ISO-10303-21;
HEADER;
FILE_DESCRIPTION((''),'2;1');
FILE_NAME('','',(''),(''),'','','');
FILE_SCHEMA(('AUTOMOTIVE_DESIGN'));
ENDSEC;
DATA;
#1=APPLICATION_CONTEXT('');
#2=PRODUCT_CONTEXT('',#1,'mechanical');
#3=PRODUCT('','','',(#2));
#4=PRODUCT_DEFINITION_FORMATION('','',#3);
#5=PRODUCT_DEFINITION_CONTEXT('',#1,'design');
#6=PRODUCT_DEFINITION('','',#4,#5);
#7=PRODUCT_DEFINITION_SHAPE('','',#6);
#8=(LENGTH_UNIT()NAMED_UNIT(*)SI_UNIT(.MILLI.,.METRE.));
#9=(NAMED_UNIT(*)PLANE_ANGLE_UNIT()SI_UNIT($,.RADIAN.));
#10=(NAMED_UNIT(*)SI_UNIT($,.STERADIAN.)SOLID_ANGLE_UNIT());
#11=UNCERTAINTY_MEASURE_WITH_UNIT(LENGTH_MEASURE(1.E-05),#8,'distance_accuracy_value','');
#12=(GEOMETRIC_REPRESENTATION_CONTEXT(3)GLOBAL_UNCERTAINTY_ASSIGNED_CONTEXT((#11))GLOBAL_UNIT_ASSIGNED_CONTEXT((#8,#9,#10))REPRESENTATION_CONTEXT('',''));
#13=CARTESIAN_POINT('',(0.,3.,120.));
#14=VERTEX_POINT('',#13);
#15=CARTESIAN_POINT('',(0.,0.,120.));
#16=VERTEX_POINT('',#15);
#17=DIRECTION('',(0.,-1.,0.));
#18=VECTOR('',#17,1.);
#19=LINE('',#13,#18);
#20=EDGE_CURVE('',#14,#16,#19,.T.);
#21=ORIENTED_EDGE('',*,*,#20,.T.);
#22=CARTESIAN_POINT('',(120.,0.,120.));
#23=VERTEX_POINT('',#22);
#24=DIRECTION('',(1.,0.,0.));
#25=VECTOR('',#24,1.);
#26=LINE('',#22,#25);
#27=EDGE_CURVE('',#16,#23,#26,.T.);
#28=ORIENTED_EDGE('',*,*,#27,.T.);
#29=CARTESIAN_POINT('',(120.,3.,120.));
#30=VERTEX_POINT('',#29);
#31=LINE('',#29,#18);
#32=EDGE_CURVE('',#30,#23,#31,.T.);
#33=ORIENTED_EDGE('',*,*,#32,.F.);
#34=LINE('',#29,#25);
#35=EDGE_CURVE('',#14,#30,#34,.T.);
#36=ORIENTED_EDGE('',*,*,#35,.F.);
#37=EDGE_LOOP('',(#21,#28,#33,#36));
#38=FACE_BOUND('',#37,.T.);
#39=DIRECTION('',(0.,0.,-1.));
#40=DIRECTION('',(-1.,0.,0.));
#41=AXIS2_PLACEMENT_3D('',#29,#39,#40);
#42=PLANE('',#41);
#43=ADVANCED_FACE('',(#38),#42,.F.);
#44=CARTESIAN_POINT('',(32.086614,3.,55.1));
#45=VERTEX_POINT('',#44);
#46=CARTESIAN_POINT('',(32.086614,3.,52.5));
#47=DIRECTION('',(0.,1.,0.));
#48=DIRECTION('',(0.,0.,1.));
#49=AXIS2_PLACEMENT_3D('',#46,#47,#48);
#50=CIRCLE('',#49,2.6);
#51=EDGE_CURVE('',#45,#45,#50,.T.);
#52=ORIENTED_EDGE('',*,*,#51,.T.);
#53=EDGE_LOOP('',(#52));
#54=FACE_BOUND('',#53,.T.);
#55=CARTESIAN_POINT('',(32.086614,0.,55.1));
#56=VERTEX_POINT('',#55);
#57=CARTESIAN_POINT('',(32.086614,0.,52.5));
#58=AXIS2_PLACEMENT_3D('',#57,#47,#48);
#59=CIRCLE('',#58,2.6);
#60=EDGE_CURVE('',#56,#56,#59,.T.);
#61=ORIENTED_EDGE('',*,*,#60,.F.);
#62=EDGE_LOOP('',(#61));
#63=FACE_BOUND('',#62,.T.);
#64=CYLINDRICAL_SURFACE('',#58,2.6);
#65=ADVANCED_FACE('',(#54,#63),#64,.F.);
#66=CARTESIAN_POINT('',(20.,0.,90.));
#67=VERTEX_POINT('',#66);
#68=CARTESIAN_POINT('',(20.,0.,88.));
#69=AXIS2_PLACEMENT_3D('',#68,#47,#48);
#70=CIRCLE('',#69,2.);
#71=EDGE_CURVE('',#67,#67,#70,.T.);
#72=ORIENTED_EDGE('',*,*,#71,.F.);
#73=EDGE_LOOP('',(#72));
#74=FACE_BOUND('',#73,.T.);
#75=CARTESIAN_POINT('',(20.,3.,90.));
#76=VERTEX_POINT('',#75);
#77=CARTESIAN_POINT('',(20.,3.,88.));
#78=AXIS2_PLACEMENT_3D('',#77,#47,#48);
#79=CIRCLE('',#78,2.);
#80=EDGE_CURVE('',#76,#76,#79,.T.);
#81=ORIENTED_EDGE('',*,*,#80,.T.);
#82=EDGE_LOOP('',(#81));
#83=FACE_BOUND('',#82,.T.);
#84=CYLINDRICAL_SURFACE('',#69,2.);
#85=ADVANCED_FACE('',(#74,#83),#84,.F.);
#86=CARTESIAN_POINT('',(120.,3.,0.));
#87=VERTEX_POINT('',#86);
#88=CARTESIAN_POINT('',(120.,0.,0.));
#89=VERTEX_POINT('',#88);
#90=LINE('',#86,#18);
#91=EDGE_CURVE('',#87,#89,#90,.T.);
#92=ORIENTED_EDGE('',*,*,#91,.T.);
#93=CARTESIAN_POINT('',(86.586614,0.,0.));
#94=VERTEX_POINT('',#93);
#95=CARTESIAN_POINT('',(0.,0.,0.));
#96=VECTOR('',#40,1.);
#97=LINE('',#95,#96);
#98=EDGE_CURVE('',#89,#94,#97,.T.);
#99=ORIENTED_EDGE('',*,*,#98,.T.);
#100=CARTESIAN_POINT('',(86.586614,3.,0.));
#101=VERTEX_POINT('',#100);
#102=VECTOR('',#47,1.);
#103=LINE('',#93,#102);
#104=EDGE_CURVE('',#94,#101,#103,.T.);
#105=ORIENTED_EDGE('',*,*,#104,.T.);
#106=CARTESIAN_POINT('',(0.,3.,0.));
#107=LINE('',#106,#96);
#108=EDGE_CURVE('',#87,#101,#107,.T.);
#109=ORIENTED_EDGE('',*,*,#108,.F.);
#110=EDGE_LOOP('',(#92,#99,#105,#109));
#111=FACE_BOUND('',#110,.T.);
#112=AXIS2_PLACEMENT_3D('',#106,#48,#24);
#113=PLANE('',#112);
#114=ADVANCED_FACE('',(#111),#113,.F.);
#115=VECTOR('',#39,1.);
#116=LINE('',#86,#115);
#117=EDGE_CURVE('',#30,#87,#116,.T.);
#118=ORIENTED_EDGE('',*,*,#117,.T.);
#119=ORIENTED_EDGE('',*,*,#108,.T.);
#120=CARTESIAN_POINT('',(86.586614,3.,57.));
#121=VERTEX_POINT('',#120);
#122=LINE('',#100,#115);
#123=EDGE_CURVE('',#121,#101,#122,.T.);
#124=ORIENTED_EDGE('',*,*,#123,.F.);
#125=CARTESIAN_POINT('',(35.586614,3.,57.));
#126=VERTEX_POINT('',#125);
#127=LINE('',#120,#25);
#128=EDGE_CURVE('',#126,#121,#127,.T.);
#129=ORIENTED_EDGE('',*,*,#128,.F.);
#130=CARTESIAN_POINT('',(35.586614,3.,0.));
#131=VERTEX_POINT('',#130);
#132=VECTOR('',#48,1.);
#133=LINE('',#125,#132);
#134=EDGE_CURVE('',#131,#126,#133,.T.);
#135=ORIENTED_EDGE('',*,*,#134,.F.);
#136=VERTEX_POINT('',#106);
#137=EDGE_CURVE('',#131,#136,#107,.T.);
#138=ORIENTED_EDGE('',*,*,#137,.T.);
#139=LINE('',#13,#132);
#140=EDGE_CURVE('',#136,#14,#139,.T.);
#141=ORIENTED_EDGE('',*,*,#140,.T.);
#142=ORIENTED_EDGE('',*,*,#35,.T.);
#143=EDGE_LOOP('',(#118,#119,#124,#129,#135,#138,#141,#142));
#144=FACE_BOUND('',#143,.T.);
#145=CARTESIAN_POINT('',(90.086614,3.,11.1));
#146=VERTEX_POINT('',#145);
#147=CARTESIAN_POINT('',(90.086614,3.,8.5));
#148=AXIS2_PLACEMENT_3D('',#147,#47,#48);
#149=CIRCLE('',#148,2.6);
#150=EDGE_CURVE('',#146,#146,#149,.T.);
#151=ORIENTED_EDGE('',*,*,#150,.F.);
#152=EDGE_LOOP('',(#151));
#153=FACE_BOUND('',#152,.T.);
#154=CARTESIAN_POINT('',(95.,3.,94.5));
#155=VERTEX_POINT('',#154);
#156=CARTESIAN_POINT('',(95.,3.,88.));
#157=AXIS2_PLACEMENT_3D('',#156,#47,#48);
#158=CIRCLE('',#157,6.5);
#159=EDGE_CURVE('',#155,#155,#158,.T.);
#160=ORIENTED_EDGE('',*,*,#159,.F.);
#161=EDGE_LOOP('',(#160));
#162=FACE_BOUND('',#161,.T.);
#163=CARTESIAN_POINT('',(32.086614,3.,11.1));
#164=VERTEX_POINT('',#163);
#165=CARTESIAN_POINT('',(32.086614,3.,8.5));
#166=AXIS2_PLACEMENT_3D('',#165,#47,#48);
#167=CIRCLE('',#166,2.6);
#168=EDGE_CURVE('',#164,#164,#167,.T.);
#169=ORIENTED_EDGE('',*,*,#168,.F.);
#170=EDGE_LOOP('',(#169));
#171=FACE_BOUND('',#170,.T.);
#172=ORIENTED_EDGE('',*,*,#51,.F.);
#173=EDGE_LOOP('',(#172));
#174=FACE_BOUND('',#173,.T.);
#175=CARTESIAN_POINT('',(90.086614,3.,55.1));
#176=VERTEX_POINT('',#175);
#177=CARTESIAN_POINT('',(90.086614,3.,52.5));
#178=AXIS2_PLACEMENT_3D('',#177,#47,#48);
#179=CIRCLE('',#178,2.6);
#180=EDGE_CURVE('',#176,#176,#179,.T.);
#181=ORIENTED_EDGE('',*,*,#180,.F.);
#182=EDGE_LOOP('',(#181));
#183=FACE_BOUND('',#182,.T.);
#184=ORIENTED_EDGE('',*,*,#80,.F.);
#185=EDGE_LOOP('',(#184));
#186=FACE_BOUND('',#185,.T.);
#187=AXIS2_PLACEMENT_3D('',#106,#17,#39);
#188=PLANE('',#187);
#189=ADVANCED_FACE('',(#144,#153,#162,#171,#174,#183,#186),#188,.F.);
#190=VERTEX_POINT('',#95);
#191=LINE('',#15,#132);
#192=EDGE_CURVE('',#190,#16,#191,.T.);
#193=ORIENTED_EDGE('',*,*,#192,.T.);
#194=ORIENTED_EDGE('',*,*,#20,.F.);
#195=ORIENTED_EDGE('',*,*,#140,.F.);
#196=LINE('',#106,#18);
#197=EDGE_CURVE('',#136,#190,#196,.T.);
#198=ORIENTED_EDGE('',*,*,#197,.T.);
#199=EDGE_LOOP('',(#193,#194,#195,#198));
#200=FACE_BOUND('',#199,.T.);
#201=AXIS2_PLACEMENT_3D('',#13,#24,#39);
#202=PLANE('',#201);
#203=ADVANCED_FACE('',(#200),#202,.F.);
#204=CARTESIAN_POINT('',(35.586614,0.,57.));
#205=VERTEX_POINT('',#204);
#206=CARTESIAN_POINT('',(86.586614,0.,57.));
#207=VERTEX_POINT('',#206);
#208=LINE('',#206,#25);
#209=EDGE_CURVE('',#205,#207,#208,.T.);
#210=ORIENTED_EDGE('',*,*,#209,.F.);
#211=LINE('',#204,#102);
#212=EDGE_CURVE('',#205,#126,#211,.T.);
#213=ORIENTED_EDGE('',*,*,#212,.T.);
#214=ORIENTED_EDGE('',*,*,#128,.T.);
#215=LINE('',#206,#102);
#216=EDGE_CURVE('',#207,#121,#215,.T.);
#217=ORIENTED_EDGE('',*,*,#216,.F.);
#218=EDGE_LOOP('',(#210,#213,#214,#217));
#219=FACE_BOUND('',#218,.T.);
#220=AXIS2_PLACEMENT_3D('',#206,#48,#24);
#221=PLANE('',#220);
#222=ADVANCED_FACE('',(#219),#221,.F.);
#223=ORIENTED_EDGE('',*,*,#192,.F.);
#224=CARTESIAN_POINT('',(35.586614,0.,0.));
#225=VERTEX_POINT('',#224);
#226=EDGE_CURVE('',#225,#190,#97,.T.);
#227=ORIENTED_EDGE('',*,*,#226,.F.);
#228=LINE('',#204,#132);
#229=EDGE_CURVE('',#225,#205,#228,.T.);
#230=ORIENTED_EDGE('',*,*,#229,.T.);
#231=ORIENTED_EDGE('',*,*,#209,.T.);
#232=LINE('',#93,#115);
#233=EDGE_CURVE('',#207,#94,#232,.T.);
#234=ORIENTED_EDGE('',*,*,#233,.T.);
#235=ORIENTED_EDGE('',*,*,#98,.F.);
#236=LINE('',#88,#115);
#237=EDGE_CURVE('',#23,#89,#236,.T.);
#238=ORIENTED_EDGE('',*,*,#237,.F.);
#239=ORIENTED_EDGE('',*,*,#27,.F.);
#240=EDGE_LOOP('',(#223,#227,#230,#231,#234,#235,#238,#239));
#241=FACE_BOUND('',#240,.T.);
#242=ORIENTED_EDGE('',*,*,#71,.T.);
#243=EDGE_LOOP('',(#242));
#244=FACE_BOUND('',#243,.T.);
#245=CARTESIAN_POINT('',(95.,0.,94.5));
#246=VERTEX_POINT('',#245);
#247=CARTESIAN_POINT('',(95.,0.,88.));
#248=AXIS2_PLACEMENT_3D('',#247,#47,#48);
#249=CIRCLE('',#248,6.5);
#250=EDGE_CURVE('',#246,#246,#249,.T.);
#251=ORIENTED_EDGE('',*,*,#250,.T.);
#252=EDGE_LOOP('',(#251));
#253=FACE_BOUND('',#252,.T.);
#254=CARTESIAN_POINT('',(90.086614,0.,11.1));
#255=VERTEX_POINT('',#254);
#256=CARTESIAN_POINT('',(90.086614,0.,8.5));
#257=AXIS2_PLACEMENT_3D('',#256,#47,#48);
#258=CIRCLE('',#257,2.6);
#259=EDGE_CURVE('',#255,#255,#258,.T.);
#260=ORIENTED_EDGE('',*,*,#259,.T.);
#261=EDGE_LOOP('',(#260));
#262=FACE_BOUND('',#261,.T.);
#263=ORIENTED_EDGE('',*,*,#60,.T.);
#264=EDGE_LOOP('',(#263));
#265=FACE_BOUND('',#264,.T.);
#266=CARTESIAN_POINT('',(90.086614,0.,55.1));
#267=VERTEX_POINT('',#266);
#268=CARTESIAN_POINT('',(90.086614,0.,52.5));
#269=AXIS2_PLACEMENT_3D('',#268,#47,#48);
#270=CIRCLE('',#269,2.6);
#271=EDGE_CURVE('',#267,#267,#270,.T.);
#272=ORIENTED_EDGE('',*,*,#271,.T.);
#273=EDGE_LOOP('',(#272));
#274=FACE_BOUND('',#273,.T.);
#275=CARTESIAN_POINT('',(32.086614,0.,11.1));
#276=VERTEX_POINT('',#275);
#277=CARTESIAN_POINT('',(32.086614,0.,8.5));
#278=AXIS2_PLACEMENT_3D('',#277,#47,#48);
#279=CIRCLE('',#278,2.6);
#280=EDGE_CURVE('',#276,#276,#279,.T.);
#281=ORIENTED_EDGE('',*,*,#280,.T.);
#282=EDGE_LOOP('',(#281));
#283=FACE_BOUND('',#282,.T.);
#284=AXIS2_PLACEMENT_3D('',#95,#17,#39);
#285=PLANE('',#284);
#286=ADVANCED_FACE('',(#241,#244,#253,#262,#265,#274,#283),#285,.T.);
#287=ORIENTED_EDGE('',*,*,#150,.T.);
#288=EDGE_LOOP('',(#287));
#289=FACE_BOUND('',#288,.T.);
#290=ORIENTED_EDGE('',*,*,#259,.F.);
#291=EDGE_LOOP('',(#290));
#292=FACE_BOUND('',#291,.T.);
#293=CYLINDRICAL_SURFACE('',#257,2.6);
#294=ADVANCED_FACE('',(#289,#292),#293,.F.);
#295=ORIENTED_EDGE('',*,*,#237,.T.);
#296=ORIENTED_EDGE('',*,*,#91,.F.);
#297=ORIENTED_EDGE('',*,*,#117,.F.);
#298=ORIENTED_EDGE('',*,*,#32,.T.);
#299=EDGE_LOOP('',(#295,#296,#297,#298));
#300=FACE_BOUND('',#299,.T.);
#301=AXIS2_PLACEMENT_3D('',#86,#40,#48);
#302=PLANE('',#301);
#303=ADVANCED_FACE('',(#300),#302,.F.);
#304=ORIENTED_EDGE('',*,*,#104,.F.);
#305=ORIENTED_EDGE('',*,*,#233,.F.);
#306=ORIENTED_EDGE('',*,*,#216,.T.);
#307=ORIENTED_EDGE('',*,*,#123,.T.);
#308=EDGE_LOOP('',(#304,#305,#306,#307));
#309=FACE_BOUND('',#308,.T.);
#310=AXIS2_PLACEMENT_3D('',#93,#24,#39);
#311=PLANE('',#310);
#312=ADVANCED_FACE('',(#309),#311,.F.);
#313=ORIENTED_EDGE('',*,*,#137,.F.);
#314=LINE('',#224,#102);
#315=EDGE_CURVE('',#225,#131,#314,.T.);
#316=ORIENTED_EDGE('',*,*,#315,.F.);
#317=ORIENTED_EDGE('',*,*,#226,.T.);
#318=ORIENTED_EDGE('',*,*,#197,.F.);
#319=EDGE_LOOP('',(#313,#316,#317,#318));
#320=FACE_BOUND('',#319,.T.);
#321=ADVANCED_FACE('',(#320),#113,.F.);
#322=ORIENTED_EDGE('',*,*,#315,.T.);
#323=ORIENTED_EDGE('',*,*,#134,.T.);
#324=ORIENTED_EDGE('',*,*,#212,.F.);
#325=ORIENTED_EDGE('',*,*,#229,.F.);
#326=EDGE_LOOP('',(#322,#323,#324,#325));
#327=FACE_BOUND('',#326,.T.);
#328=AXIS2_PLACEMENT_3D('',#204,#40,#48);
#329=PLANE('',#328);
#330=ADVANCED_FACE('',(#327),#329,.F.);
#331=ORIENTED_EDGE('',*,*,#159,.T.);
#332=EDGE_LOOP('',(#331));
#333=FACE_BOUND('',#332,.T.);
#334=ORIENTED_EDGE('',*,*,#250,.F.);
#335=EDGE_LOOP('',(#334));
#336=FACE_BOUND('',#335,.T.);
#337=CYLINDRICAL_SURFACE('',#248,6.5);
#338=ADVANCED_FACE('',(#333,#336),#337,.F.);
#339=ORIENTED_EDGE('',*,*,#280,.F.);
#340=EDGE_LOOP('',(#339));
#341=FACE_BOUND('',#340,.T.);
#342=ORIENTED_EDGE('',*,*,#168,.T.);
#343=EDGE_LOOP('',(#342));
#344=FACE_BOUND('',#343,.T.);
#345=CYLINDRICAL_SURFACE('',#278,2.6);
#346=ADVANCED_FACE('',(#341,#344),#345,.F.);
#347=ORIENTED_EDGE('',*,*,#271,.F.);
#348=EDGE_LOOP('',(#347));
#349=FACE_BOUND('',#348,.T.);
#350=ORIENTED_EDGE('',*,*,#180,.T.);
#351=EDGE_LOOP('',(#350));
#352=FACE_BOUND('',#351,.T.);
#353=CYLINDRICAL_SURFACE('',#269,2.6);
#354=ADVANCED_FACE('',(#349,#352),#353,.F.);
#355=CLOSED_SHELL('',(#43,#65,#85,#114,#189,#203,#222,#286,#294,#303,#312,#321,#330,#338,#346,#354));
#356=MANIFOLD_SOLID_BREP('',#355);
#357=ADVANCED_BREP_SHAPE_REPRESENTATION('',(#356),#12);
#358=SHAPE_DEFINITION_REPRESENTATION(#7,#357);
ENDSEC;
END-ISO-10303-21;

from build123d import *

# Parameters (mm, degrees)
SKETCH_1_W          = 120
SKETCH_1_H          = 120
EXTRUDE_1_DEPTH     = 3
SKETCH_2_R          = 2
SKETCH_2_R_2        = 6.5
SKETCH_2_R_3        = 2.6
SKETCH_2_W          = 51
SKETCH_2_H          = 57
CUT_EXTRUDE_1_DEPTH = 3


with BuildPart() as part:
    # 草图1 → 凸台-拉伸1 (new body)
    with BuildSketch(Plane(origin=(0, 0, 0), x_dir=(1, 0, 0), z_dir=(0, 1, 0))):
        with Locations((60, -60)):
            Rectangle(SKETCH_1_W, SKETCH_1_H)
    extrude(amount=EXTRUDE_1_DEPTH)

    # 草图2 → 切除-拉伸1 (cut)
    with BuildSketch(Plane(origin=(0, 3, 0), x_dir=(1, 0, 0), z_dir=(0, 1, 0))):
        with Locations((20, -88)):
            Circle(SKETCH_2_R)
        with Locations((95, -88)):
            Circle(SKETCH_2_R_2)
        with Locations((32.086613668, -8.5)):
            Circle(SKETCH_2_R_3)
        with Locations((32.086613668, -52.5)):
            Circle(SKETCH_2_R_3)
        with Locations((90.086613668, -8.5)):
            Circle(SKETCH_2_R_3)
        with Locations((90.086613668, -52.5)):
            Circle(SKETCH_2_R_3)
        with Locations((61.086613668, -28.5)):
            Rectangle(SKETCH_2_W, SKETCH_2_H)
    extrude(amount=-CUT_EXTRUDE_1_DEPTH, mode=Mode.SUBTRACT)


solid = part.part
